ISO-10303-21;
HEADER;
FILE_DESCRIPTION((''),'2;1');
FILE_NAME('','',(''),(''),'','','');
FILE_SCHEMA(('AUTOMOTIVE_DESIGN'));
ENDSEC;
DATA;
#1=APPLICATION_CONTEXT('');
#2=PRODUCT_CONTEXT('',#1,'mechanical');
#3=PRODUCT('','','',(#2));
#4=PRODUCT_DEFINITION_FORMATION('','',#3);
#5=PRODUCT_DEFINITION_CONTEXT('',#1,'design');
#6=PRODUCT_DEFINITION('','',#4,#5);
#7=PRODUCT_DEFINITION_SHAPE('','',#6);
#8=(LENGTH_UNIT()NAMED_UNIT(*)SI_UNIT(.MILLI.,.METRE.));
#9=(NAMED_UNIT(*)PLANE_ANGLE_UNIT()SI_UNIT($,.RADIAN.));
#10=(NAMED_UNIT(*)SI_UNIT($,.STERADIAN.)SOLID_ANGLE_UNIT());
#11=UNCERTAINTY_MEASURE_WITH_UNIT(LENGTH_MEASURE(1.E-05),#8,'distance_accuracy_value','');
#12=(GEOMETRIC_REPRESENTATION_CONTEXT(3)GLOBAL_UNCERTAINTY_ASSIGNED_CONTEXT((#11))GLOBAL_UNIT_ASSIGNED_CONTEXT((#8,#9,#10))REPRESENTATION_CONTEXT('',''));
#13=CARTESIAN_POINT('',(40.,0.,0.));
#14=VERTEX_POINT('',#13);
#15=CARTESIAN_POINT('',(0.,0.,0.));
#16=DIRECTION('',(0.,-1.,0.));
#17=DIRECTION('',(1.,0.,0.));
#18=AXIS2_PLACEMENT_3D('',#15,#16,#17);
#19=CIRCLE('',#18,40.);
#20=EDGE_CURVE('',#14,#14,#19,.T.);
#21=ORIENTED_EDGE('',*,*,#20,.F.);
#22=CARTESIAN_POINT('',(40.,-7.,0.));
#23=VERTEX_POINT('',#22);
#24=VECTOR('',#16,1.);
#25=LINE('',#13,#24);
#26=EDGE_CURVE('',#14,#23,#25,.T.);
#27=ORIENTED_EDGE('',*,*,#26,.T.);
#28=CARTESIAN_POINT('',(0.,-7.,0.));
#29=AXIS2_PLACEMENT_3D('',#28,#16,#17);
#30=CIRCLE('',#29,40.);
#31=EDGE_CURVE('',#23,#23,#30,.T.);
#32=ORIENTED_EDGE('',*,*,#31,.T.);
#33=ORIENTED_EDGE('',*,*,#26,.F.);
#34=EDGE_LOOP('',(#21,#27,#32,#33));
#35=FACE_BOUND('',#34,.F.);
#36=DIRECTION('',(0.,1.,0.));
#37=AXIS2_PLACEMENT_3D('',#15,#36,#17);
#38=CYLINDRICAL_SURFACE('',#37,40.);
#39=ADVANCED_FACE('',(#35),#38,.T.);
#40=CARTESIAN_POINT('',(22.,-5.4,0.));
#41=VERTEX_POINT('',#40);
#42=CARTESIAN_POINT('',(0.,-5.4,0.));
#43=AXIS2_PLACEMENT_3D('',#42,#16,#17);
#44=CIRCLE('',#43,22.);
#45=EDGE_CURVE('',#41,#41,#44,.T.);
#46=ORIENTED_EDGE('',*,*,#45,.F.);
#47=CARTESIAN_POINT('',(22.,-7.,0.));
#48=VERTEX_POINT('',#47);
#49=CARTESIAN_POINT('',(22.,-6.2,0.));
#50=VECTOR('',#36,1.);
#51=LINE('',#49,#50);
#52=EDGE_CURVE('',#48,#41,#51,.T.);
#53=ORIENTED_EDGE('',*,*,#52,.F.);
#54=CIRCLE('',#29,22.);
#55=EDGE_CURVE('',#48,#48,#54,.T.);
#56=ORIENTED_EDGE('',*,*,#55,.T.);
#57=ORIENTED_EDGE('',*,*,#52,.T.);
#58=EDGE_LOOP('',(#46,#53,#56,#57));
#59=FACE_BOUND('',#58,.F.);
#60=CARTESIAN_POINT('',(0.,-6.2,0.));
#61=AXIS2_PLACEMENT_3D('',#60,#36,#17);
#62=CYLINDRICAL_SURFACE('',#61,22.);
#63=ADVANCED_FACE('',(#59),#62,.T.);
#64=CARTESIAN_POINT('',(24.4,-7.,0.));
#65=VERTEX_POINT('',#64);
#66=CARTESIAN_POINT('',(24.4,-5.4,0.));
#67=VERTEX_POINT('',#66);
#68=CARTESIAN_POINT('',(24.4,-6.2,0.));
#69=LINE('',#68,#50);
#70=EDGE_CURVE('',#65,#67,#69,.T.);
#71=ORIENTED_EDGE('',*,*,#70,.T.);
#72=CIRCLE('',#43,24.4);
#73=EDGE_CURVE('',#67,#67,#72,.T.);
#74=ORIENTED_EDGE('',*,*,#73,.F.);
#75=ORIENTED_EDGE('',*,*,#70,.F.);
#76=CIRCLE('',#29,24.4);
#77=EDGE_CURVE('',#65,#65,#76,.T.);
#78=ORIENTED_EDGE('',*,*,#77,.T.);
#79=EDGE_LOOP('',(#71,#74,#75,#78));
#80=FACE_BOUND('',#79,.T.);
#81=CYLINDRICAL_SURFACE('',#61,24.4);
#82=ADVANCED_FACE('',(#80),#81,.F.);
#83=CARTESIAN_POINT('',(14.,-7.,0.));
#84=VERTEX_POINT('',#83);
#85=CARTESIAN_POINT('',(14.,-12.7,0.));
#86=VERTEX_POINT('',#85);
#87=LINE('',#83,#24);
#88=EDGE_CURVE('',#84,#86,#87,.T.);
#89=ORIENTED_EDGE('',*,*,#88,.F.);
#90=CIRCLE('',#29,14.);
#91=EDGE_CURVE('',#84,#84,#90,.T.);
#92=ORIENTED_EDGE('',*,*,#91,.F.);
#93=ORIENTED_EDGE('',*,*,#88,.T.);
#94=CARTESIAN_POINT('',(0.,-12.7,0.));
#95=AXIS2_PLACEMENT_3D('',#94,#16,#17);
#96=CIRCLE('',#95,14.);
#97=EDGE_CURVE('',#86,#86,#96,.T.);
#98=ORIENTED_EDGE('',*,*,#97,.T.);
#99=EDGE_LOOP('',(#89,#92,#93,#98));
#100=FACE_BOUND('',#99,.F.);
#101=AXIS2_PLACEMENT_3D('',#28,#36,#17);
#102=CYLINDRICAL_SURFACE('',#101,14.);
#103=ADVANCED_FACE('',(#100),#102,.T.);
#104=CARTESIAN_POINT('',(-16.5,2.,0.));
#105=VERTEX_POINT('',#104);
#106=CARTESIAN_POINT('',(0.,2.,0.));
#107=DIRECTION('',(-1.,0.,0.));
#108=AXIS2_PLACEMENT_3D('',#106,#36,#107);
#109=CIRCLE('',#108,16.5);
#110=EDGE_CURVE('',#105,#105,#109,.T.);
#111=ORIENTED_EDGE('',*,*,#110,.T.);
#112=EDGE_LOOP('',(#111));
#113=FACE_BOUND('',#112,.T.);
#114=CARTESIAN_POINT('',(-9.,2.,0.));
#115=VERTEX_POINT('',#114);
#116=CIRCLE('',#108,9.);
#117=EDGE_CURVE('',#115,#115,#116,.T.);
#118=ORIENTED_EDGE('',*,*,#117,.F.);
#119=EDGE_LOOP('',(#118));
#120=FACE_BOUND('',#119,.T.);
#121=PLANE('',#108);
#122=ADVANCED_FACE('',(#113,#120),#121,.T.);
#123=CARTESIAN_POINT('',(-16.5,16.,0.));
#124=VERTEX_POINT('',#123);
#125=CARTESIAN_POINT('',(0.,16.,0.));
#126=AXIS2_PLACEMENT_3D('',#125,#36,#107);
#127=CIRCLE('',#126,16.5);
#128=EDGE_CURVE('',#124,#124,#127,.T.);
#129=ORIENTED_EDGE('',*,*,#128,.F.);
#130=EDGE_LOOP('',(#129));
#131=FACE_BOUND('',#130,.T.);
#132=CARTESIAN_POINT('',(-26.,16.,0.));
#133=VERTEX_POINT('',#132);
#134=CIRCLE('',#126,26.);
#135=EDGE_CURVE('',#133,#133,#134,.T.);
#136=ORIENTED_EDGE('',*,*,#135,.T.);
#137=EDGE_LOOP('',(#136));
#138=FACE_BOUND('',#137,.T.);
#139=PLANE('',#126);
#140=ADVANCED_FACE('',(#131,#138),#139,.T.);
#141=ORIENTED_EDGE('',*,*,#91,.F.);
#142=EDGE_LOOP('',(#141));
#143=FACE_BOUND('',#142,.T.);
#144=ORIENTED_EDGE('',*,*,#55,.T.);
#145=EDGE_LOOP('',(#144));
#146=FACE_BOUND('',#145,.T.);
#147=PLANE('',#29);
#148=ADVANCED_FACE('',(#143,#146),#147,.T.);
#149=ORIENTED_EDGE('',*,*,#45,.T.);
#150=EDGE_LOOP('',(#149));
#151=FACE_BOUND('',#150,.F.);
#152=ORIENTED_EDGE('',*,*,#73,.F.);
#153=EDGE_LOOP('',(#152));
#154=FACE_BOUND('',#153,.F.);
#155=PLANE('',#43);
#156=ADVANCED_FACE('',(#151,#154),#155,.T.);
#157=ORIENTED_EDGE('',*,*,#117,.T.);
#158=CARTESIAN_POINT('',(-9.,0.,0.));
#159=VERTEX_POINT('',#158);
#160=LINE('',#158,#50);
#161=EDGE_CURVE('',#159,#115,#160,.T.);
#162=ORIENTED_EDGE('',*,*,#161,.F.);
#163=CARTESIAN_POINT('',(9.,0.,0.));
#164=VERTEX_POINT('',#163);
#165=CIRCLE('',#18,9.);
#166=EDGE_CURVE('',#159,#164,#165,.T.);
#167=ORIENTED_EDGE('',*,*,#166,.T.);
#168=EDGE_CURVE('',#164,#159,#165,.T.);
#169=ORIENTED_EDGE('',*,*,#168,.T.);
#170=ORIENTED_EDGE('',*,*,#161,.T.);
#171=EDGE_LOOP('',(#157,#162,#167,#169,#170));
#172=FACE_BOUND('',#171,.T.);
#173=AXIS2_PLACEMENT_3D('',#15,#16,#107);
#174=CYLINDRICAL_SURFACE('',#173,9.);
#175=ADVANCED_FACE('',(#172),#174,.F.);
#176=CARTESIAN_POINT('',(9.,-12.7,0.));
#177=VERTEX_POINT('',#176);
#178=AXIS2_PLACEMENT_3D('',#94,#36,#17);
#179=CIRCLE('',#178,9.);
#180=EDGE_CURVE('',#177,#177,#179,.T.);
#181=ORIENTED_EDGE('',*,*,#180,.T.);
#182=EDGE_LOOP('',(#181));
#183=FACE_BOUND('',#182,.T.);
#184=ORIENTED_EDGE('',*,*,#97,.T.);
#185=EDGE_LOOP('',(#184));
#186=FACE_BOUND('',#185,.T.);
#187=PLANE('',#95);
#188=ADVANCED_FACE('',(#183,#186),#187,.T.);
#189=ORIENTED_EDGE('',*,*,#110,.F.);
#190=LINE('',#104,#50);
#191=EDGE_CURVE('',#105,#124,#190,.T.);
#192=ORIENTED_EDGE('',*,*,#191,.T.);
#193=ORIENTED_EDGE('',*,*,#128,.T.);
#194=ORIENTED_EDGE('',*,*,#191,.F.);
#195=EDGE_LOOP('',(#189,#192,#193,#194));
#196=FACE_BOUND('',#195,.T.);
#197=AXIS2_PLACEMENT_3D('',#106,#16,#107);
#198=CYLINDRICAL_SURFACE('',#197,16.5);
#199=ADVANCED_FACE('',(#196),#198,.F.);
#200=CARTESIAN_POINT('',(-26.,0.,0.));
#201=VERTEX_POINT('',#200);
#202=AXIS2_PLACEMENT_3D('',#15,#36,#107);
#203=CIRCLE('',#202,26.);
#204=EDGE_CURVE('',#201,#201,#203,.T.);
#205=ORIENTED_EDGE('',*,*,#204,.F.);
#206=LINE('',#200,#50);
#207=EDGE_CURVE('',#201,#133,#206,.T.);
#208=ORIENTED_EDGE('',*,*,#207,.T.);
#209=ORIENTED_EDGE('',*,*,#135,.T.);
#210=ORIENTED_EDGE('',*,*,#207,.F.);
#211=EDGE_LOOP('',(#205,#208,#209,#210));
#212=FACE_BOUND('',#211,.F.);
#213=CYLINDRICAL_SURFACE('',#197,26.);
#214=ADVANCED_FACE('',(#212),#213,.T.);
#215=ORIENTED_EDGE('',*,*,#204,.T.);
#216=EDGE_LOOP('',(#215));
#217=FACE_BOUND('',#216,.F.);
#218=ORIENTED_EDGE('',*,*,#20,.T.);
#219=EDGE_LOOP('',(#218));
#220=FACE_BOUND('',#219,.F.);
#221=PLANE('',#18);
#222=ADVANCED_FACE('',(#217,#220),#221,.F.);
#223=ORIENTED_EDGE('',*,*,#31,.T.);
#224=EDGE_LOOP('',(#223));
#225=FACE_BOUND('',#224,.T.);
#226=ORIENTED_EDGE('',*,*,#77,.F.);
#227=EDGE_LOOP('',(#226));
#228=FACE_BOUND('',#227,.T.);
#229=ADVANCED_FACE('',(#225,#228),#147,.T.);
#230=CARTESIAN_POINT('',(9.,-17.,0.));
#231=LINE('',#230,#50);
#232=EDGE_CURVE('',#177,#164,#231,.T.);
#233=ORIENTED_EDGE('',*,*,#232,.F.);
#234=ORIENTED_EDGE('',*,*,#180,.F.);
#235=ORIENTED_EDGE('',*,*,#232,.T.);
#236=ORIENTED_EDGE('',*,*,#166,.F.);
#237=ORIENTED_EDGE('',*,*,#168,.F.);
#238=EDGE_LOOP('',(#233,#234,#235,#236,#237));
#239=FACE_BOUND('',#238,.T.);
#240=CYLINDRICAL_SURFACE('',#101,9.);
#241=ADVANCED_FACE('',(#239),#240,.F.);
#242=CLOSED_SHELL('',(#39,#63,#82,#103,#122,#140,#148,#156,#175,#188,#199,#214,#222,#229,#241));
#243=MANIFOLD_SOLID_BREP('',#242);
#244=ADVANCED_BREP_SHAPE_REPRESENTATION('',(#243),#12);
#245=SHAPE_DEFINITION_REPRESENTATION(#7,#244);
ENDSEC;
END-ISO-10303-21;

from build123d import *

# Parameters (mm, degrees)
F0_R      = 40
F0_R_2    = 9
F1_DEPTH  = 7
F2_R      = 14
F2_R_2    = 9
F3_DEPTH  = 10
F4_R      = 12.5
F5_DEPTH  = 4.2
F6_R      = 26
F6_R_2    = 9
F7_DEPTH  = 2
F8_R      = 26
F8_R_2    = 16.5
F9_DEPTH  = 14
F11_R     = 14
F12_DEPTH = 4.3
F13_W     = 2.4
F13_H     = 1.6


with BuildPart() as f1:
    # F0 (on Front) → F1 (new body)
    with BuildSketch(Plane.XZ):
        Circle(F0_R)
        Circle(F0_R_2, mode=Mode.SUBTRACT)
    extrude(amount=F1_DEPTH)

    # F2 (on face) → F3 (join)
    with BuildSketch(Plane.XZ.offset(7)):
        Circle(F2_R)
        Circle(F2_R_2, mode=Mode.SUBTRACT)
    extrude(amount=F3_DEPTH)

    # F4 (on face) → F5 (cut)
    with BuildSketch(Plane.XZ.offset(17)):
        Circle(F4_R)
    extrude(amount=-F5_DEPTH, mode=Mode.SUBTRACT)

    # F6 (on face) → F7 (join)
    with BuildSketch(Plane(origin=(0, 0, 0), x_dir=(-1, 0, 0), z_dir=(0, 1, 0))):
        Circle(F6_R)
        Circle(F6_R_2, mode=Mode.SUBTRACT)
    extrude(amount=F7_DEPTH)

    # F8 (on face) → F9 (join)
    with BuildSketch(Plane(origin=(0, 2, 0), x_dir=(-1, 0, 0), z_dir=(0, 1, 0))):
        Circle(F8_R)
        Circle(F8_R_2, mode=Mode.SUBTRACT)
    extrude(amount=F9_DEPTH)

    # F11 (on face) → F12 (cut)
    with BuildSketch(Plane.XZ.offset(17)):
        Circle(F11_R)
    extrude(amount=-F12_DEPTH, mode=Mode.SUBTRACT)

    # F13 (on Top) → F16 (revolve, cut)
    with BuildSketch(Plane.XY):
        with Locations((23.2, -6.2)):
            Rectangle(F13_W, F13_H)
    revolve(axis=Axis((0, -7, 0), (0, -1, 0)), mode=Mode.SUBTRACT)


with BuildPart() as f14_1:
    # F14: copy of F1
    add(f1.part.moved(Location((0, 0, 110.7))))


solid = f1.part
